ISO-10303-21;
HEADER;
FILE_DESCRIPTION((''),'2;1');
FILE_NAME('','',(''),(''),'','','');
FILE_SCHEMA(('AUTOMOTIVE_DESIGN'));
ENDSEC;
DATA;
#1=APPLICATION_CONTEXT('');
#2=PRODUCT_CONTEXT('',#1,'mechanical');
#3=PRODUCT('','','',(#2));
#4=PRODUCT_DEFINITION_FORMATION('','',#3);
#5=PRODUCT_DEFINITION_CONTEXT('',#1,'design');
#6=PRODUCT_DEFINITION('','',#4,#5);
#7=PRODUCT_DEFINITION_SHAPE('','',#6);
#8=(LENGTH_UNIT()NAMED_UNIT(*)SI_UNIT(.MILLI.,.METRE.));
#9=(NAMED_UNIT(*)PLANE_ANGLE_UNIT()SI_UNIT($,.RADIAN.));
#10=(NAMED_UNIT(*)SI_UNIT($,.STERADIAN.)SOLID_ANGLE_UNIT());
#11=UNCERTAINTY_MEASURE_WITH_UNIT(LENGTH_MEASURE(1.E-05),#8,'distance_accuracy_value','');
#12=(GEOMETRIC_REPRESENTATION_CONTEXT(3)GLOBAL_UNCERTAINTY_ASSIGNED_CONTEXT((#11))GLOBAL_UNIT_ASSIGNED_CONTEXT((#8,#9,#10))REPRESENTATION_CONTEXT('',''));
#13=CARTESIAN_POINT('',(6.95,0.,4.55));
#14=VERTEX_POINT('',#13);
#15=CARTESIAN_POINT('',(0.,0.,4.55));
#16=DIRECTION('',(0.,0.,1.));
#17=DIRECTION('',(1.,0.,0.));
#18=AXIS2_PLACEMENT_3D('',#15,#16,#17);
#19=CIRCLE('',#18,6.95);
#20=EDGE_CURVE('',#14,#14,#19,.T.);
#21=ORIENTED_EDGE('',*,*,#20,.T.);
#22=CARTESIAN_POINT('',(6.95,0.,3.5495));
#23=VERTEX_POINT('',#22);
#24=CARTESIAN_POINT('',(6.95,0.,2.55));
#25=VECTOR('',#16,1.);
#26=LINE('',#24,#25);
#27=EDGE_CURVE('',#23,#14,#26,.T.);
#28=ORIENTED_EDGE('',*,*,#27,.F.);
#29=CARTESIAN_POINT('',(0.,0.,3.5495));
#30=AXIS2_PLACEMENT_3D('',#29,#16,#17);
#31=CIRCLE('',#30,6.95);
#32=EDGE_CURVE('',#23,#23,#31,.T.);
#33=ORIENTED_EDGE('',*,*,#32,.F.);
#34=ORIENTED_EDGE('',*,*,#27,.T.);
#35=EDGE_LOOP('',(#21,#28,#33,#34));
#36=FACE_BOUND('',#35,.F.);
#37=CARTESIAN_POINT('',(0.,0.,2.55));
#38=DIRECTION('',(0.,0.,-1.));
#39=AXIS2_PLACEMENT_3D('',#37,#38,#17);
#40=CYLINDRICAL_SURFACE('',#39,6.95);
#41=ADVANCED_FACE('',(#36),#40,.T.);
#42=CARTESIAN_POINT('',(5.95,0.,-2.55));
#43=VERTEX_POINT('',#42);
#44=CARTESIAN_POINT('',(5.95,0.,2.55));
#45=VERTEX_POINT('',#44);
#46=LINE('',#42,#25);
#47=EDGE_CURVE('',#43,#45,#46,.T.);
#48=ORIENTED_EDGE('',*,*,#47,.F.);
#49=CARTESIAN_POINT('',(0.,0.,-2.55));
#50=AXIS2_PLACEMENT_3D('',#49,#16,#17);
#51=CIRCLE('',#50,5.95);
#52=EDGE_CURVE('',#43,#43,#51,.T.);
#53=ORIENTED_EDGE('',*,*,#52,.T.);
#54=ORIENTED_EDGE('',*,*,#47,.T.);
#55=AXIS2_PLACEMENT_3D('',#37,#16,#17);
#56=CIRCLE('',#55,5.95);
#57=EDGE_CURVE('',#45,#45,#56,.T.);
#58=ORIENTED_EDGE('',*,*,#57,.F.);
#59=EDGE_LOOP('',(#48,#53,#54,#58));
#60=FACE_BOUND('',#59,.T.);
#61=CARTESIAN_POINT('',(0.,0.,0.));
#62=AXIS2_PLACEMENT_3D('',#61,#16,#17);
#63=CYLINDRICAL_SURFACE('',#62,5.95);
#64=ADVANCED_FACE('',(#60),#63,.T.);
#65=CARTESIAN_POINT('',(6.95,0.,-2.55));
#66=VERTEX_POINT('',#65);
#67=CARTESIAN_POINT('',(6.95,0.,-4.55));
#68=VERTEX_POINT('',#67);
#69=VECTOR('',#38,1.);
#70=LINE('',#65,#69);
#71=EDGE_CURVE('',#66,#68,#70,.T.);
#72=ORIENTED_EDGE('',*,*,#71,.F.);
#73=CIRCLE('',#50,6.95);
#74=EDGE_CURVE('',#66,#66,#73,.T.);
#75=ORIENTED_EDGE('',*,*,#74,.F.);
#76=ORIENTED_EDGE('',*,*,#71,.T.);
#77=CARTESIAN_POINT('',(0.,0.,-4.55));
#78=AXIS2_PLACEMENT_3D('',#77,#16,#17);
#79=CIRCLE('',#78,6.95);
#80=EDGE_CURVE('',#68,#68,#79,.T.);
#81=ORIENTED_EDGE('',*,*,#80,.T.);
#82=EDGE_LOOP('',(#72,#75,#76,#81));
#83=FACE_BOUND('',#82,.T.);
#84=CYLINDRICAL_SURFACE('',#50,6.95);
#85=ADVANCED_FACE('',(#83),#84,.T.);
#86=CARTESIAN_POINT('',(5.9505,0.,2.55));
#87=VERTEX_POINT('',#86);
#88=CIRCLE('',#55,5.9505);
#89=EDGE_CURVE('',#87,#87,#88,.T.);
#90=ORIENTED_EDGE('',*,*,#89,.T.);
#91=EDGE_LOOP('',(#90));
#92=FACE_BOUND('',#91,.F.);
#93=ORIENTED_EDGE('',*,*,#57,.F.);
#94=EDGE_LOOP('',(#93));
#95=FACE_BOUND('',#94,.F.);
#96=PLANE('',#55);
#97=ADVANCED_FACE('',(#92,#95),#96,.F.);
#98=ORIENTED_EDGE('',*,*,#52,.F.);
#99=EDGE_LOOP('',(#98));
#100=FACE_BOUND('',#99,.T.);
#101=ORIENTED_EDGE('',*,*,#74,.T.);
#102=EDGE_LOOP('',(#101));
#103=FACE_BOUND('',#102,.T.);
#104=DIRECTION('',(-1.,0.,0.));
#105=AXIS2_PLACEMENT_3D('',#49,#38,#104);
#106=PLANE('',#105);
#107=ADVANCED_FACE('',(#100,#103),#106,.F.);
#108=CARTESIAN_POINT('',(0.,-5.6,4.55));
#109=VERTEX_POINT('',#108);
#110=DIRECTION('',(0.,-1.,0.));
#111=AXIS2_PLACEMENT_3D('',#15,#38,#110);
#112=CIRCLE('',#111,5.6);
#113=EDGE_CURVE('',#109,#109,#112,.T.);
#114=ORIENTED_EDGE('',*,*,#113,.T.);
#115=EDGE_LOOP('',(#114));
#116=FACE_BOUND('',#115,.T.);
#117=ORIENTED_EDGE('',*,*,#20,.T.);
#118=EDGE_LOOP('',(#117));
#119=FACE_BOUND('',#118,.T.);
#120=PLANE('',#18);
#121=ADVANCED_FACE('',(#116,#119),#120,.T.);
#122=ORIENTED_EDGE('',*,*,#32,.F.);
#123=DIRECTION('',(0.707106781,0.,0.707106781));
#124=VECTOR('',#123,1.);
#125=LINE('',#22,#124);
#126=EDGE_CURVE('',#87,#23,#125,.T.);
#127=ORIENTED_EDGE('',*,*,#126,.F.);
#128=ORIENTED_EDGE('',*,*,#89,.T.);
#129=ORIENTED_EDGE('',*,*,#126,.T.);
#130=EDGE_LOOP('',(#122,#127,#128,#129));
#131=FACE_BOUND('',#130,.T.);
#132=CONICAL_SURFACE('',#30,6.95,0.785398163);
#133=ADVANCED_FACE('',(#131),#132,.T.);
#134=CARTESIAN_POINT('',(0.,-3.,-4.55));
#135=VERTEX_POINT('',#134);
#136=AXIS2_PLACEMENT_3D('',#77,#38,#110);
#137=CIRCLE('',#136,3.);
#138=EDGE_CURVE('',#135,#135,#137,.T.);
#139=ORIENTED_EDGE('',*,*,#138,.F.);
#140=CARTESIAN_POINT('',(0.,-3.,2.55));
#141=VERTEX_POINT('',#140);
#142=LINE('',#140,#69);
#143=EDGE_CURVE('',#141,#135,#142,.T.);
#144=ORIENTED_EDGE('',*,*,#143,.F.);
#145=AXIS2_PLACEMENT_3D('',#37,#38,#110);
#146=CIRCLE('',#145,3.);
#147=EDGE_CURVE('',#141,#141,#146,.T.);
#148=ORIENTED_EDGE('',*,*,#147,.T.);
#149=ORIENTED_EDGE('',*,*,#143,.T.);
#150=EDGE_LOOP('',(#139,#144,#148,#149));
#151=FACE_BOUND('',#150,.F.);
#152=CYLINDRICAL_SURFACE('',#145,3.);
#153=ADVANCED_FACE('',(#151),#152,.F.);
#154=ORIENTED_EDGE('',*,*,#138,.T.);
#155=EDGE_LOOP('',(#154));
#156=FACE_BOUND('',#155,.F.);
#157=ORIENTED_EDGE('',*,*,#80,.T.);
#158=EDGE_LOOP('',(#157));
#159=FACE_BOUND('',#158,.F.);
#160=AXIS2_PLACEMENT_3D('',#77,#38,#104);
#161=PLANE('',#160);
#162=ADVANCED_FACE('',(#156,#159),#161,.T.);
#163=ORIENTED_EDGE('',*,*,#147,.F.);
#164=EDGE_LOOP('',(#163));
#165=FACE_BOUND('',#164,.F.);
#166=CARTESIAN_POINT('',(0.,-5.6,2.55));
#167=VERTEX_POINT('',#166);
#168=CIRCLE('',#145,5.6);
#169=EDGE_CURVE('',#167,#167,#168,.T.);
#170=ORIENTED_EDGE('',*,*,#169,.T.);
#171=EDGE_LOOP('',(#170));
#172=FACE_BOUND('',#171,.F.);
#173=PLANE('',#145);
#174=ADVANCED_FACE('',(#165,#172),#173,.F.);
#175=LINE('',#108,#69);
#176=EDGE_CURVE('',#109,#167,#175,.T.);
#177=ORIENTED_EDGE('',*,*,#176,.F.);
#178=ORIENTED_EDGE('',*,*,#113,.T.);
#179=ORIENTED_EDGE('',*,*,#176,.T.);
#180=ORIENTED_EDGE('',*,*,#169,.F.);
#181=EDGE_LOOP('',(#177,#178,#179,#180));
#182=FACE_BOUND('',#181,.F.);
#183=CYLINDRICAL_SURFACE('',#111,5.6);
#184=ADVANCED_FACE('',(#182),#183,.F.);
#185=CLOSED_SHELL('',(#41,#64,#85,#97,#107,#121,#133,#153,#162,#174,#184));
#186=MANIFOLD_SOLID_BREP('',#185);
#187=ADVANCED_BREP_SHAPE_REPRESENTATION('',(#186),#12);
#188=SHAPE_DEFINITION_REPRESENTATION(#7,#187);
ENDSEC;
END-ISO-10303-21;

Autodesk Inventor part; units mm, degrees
ref_plane "YZ Plane" through (0, 0, 0) normal (1, 0, 0) x (0, 1, 0)
ref_plane "XZ Plane" through (0, 0, 0) normal (0, 1, 0) x (-1, 0, 0)
ref_plane "XY Plane" through (0, 0, 0) normal (0, 0, 1) x (1, 0, 0)
sketch "Skizze1" plane through (0, 0, 0) normal (0, 0, 1) x (1, 0, 0)
  circle A0 centre (0, 0) radius 5.95
  dimension "d0" = 11.9
extrude "Extrusion1" add sketch "Skizze1" along normal blind 2.55
sketch "Skizze2" plane through (0, 0, 2.55) normal (0, 0, 1) x (1, 0, 0)
  circle A0 centre (0, 0) radius 6.95
  circle A1 centre (0, 0) radius 5.95 projected
  dimension "d5" = 1
extrude "Extrusion2" add sketch "Skizze2" along normal blind 2 contours A0 | A1
mirror "Spiegeln1" about plane through (0, 0, 0) normal (0, 0, -1) of "Extrusion2", "Extrusion1"
sketch "Skizze3" plane through (0, 0, 4.55) normal (0, 0, 1) x (1, 0, 0)
  point P0 (0, 0)
  point P1 (0, 0)
hole "Bohrung1" at (0, 0, 4.55) direction (0, 0, -1) diameter 6 end through all counterbore diameter 11.2 counterbore depth 2
chamfer "Fasen1" distance 1 angle 45 1 edges at (-6.95, 0, 2.55)
properties part number "SolarPlugAdapter"
